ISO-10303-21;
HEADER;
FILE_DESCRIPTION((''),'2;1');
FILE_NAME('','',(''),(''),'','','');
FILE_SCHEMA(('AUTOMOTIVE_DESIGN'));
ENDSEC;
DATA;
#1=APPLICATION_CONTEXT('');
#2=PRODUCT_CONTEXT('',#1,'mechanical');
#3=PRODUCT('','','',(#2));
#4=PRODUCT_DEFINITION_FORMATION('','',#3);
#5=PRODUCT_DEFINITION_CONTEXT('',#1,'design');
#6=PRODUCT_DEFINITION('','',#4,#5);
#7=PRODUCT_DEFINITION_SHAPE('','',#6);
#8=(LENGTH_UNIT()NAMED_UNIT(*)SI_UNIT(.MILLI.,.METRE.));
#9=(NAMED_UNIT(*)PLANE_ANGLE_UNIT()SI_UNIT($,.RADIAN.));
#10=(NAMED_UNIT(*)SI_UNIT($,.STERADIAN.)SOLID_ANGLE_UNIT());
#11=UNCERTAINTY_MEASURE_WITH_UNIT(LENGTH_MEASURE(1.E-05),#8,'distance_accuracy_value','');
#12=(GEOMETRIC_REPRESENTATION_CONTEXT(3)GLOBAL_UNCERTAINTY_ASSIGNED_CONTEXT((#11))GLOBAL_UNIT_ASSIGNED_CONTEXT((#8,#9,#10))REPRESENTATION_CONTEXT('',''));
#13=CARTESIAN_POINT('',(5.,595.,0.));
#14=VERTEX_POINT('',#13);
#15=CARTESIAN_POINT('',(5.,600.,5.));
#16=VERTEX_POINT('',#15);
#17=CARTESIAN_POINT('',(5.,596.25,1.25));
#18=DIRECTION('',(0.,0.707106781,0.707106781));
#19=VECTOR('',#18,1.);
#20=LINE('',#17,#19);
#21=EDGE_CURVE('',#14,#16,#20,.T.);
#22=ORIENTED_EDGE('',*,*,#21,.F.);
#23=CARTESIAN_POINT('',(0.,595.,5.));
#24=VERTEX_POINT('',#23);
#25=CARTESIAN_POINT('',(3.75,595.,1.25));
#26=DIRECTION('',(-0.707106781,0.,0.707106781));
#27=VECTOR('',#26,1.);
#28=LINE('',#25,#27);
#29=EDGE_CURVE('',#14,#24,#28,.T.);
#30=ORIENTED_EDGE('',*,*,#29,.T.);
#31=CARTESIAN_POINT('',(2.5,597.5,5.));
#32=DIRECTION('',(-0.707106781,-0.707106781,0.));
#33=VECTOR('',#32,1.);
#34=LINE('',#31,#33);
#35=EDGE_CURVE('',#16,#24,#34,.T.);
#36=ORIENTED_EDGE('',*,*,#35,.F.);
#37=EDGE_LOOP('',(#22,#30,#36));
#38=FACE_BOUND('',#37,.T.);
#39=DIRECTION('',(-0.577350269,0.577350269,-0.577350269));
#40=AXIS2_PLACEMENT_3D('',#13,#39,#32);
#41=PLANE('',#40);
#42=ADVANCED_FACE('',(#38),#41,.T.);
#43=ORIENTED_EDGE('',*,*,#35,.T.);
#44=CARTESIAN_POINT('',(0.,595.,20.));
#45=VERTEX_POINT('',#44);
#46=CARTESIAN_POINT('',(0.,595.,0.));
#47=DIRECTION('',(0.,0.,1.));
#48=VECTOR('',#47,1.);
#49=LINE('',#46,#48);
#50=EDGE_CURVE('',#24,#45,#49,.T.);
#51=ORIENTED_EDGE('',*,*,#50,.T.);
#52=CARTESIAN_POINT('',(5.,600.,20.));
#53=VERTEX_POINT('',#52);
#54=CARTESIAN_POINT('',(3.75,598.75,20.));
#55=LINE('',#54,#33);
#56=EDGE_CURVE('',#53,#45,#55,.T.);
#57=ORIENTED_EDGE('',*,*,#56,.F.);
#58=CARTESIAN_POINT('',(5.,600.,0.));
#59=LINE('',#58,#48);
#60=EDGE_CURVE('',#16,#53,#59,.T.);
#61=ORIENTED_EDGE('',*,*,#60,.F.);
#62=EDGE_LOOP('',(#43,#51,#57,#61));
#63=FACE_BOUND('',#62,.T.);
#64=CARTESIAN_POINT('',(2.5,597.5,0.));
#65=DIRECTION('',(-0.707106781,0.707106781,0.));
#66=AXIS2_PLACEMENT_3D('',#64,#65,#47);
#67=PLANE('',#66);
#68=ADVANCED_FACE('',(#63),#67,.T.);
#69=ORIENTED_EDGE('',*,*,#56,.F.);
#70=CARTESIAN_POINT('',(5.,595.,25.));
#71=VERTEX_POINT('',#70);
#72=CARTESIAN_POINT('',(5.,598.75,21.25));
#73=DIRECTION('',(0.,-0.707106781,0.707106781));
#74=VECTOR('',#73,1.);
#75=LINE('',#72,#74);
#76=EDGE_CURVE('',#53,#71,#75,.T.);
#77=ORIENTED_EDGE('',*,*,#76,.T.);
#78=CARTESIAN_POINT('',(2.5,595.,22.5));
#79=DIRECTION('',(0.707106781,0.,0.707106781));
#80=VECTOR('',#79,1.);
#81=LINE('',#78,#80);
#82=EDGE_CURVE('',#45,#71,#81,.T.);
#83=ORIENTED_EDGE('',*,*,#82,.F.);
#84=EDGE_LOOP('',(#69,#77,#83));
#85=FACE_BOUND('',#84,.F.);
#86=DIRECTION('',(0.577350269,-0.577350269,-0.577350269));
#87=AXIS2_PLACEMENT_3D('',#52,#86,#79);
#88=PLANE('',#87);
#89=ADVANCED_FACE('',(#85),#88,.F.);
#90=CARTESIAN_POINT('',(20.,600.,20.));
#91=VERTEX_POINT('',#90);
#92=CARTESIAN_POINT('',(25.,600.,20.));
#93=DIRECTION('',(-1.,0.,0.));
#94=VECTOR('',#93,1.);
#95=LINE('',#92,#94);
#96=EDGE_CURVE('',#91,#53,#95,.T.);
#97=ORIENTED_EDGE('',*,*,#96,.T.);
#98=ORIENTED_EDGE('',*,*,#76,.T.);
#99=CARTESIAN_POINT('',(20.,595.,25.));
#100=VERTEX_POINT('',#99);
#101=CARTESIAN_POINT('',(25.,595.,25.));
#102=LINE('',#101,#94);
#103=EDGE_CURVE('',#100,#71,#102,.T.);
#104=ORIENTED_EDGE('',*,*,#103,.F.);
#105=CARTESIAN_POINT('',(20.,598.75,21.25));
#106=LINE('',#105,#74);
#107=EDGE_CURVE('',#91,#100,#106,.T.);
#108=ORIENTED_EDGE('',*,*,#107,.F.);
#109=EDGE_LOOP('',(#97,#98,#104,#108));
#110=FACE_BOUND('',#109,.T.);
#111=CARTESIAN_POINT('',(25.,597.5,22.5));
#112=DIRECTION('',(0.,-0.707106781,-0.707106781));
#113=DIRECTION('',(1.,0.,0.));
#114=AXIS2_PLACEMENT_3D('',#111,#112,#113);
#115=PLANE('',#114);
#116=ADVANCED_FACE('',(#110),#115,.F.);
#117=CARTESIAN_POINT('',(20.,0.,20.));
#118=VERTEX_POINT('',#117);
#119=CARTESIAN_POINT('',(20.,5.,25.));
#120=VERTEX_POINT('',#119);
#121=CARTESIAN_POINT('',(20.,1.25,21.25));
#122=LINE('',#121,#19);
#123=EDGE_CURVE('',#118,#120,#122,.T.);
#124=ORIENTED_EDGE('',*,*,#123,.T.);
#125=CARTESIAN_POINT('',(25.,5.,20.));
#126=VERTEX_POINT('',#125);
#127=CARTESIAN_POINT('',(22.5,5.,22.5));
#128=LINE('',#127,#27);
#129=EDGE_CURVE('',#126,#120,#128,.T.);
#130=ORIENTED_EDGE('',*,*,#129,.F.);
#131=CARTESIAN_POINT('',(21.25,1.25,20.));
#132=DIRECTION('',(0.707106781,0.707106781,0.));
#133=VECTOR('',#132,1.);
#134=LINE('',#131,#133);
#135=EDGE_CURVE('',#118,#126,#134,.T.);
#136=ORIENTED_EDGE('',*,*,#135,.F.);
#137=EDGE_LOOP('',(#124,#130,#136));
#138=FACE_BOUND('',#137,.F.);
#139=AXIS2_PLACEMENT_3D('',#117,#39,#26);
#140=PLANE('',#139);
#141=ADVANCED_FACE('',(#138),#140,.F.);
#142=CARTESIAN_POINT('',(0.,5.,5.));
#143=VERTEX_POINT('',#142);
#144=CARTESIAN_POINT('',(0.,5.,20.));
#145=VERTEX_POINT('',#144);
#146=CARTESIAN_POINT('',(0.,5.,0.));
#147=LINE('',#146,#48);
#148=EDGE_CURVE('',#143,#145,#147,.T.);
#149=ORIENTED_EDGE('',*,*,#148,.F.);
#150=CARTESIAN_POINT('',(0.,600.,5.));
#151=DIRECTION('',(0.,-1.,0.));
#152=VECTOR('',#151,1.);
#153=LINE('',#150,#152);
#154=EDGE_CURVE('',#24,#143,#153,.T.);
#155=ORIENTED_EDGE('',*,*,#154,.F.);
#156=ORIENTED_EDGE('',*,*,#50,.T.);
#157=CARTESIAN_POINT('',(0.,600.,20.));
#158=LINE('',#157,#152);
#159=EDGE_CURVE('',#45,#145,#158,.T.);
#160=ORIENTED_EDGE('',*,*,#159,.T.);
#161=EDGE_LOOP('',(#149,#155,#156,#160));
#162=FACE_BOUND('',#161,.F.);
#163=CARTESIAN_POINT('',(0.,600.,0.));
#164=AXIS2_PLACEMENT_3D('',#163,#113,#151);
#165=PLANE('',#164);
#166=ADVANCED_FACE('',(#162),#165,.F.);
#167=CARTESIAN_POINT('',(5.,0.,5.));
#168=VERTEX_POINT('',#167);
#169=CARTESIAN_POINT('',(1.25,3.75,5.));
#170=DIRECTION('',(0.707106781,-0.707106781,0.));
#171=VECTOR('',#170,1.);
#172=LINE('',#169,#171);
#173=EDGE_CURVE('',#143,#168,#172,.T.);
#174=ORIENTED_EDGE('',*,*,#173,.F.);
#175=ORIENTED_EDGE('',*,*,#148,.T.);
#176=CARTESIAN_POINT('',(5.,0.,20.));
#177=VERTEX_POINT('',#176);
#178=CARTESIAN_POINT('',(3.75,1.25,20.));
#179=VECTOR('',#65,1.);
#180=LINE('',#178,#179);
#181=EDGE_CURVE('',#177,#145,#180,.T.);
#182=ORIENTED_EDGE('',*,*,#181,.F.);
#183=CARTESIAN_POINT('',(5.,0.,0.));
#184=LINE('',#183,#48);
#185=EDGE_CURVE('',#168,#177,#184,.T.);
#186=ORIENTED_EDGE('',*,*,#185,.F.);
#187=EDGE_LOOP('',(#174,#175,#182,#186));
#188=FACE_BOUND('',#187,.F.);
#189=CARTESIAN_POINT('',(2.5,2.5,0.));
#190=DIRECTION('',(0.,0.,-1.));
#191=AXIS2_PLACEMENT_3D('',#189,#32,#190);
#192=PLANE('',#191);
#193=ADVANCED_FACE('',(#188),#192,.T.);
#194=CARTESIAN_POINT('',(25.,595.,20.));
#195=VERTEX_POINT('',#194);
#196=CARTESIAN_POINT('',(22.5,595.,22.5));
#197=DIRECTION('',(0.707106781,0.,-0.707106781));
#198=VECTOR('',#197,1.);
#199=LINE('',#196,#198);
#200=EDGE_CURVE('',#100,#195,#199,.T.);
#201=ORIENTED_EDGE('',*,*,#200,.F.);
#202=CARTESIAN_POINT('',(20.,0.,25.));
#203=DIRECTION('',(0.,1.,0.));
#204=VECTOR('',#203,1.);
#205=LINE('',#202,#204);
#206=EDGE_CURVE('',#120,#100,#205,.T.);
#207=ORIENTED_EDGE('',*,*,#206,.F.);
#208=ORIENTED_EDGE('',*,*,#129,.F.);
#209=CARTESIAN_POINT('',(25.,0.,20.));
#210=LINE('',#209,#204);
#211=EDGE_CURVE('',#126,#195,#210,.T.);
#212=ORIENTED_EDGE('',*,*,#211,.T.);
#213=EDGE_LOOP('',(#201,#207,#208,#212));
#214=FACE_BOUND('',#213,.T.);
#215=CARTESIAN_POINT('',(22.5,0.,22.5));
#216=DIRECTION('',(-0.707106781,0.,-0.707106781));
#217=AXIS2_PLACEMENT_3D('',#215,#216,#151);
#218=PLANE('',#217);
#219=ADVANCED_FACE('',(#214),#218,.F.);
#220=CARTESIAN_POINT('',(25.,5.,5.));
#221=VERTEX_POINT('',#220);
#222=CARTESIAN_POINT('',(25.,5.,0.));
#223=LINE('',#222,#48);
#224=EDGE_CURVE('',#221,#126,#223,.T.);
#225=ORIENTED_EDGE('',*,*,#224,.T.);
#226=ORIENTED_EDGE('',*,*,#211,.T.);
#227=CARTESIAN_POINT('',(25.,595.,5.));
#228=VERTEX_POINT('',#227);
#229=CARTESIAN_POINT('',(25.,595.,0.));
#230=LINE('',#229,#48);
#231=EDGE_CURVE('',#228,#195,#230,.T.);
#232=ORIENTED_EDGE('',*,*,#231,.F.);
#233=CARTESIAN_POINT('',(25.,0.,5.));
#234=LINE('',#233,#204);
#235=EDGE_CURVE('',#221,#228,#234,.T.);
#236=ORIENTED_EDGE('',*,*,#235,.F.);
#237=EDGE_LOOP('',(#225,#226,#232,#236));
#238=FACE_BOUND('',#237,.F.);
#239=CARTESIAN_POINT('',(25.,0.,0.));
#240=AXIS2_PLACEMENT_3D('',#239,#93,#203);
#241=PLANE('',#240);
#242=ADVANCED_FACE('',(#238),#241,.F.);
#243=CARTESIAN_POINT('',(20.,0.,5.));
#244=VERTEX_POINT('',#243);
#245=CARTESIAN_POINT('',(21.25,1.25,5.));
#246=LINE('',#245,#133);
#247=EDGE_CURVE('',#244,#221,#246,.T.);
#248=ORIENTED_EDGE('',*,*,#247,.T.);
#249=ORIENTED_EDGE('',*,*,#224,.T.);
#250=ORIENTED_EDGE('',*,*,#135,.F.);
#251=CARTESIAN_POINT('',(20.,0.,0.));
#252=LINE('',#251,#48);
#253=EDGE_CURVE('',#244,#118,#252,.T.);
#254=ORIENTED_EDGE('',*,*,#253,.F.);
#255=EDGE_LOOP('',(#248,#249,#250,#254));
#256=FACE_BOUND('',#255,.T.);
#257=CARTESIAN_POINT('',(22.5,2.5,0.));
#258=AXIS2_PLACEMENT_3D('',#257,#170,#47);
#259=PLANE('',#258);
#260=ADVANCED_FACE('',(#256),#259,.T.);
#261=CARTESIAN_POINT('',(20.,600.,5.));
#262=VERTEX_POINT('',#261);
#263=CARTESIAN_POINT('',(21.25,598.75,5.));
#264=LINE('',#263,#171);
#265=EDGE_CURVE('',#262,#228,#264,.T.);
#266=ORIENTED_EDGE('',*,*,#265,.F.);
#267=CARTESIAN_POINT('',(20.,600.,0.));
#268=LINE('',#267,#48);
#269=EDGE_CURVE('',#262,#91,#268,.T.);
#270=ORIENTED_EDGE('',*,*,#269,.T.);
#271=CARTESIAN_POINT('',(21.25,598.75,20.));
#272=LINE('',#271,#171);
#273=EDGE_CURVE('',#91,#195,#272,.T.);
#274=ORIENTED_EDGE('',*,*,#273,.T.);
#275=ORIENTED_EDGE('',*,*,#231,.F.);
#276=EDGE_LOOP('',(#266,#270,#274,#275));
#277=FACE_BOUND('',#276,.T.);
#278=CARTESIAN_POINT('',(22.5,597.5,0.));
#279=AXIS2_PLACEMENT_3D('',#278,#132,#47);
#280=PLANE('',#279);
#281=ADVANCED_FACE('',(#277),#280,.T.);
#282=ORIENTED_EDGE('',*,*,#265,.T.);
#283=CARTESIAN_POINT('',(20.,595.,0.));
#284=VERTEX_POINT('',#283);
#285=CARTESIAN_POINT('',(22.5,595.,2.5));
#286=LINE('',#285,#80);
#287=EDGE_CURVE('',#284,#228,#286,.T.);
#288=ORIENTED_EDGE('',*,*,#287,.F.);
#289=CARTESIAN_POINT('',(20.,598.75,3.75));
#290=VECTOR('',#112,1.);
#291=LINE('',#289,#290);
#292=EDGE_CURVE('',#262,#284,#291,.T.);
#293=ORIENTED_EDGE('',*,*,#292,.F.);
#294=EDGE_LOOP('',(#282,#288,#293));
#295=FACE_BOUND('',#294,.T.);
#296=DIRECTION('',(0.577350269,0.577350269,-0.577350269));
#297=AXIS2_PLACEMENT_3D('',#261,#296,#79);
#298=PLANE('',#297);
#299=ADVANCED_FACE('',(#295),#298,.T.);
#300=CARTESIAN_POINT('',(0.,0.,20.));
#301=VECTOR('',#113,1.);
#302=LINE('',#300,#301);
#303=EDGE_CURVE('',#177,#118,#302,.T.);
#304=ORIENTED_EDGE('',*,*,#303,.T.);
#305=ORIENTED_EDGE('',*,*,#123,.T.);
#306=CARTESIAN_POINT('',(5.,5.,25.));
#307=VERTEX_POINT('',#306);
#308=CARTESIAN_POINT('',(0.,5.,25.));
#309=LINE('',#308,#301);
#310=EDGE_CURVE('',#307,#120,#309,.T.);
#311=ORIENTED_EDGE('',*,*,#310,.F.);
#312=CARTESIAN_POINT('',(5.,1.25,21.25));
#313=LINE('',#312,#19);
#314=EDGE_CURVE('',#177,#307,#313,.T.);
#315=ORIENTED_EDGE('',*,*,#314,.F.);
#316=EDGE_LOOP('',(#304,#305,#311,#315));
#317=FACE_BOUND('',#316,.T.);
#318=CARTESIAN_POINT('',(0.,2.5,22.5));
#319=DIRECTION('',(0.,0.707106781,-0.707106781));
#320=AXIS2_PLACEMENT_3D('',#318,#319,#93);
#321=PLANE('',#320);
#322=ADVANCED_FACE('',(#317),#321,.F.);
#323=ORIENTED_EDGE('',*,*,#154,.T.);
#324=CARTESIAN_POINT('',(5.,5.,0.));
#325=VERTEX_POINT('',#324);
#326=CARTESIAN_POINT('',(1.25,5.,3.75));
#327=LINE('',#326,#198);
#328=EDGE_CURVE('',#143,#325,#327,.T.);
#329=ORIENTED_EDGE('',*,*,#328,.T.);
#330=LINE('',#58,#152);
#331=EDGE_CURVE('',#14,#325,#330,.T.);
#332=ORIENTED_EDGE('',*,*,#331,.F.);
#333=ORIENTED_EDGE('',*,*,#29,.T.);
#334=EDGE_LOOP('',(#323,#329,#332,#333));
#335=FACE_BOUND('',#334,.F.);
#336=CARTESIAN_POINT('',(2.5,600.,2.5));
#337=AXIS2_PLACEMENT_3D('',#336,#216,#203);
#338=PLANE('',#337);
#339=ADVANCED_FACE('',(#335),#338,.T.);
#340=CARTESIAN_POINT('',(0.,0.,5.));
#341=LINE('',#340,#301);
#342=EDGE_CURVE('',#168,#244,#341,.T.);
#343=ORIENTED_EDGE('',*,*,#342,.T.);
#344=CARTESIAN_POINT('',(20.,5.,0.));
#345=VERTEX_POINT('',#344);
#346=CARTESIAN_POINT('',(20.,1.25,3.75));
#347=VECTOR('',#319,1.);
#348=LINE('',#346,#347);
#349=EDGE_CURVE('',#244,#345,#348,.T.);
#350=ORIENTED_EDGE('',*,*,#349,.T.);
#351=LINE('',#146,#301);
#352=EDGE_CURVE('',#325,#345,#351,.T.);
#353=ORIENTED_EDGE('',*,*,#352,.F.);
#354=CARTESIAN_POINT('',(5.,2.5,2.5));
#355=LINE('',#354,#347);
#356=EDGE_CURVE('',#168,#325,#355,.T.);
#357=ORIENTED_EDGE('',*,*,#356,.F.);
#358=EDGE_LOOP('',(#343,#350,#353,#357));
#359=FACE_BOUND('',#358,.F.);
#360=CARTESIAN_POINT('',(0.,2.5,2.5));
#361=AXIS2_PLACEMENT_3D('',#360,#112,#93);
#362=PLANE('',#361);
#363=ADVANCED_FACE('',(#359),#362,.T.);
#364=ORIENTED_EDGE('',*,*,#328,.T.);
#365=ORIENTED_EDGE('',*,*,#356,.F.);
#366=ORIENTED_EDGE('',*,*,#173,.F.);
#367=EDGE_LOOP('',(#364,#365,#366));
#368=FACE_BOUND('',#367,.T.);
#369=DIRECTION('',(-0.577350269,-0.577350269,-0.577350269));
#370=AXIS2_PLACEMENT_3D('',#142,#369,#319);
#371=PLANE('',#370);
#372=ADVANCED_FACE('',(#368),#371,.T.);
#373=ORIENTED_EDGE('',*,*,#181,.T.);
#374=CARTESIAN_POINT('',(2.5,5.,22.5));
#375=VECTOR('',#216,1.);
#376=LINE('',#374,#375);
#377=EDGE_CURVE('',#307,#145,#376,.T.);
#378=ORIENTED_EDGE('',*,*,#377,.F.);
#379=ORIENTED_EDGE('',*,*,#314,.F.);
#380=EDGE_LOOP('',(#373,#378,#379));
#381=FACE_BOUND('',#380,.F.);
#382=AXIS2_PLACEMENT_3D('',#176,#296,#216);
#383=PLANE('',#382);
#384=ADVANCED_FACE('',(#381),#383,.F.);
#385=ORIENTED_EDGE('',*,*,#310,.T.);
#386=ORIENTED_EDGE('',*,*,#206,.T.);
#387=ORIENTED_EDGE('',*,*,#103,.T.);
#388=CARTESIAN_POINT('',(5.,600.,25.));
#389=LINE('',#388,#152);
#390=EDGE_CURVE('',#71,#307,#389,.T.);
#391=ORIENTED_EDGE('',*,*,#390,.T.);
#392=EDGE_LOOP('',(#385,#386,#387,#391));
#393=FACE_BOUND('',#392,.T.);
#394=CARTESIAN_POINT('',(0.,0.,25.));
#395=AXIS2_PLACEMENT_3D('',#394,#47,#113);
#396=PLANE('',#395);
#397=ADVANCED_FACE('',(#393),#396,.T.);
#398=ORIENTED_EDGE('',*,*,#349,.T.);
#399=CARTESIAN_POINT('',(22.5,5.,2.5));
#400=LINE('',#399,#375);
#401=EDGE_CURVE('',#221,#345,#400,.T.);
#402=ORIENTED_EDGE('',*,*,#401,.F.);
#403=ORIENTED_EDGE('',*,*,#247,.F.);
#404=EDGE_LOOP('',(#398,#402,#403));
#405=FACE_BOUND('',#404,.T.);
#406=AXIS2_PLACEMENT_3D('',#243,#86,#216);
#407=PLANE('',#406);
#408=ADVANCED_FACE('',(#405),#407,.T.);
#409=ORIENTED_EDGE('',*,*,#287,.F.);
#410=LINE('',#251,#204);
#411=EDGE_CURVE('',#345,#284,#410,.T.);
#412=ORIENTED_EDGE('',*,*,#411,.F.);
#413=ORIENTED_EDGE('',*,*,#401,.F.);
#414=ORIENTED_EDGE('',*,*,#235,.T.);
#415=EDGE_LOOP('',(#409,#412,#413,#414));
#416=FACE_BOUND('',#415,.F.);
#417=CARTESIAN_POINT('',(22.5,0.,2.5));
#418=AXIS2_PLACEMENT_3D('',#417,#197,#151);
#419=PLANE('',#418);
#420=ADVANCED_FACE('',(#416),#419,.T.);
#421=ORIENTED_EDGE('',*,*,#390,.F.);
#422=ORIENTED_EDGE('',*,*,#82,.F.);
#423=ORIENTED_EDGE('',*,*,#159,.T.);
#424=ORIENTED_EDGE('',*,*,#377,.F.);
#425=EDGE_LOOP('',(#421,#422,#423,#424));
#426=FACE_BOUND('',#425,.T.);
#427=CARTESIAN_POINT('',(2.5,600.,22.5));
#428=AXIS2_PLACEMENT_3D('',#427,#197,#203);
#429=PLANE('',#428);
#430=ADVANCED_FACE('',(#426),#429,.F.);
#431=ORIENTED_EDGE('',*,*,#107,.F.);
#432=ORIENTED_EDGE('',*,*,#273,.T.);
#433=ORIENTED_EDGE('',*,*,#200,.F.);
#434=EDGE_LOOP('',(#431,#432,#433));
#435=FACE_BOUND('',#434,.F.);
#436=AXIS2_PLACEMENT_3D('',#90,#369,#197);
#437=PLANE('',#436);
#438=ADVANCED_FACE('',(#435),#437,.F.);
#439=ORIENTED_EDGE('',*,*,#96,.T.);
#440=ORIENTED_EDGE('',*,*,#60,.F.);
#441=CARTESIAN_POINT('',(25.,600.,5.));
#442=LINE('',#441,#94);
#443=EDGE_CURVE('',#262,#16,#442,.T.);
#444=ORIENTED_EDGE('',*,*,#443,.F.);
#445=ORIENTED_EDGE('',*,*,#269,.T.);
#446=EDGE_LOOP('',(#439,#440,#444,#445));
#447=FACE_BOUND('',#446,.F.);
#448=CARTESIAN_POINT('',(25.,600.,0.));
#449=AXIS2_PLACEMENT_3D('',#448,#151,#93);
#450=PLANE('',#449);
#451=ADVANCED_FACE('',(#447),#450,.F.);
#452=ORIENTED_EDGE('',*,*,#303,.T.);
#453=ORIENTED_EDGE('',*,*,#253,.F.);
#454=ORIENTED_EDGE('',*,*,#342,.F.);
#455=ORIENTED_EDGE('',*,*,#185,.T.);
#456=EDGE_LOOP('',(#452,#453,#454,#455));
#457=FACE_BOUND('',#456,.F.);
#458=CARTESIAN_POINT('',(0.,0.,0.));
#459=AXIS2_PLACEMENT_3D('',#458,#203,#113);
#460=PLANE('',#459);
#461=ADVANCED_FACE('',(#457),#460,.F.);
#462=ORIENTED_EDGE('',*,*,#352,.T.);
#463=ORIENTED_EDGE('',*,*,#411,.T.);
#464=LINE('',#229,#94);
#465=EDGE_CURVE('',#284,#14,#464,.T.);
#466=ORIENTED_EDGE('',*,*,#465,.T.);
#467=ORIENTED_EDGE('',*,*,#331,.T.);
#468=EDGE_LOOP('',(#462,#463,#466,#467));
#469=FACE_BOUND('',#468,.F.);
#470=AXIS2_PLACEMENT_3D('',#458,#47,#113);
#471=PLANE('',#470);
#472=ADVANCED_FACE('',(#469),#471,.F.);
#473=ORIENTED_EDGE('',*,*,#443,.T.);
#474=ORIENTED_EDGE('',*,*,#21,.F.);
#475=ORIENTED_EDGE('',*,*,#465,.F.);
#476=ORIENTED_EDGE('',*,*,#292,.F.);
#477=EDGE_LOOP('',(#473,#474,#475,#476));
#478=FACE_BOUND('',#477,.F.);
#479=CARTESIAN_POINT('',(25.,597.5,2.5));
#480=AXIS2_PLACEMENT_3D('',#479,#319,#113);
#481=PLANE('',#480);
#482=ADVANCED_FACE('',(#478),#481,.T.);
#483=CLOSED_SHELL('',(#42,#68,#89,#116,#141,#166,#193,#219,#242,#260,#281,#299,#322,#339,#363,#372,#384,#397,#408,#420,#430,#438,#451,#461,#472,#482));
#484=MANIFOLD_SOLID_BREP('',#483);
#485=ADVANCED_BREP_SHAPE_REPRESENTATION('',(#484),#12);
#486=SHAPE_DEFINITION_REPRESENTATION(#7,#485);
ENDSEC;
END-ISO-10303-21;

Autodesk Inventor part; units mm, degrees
ref_plane "YZ Plane" through (0, 0, 0) normal (1, 0, 0) x (0, 1, 0)
ref_plane "XZ Plane" through (0, 0, 0) normal (0, 1, 0) x (-1, 0, 0)
ref_plane "XY Plane" through (0, 0, 0) normal (0, 0, 1) x (1, 0, 0)
sketch "Sketch1" plane through (0, 0, 0) normal (0, 0, 1) x (1, 0, 0)
  line L0 (0, 0) -> (25, 0)
  line L1 (25, 0) -> (25, 600)
  line L2 (25, 600) -> (0, 600)
  line L3 (0, 600) -> (0, 0)
  dimension "d0" = 25
  dimension "d1" = 600
extrude "Extrusion1" add sketch "Sketch1" along normal blind 25
chamfer "Chamfer1" distance 5 angle 45 12 edges at (25, 300, 25) (25, 300, 0) (0, 300, 25) (0, 600, 12.5) (12.5, 600, 0) (12.5, 600, 25) (25, 600, 12.5) (25, 0, 12.5) (12.5, 0, 25) (12.5, 0, 0) (0, 0, 12.5) (0, 300, 0)
properties part number "frame"
